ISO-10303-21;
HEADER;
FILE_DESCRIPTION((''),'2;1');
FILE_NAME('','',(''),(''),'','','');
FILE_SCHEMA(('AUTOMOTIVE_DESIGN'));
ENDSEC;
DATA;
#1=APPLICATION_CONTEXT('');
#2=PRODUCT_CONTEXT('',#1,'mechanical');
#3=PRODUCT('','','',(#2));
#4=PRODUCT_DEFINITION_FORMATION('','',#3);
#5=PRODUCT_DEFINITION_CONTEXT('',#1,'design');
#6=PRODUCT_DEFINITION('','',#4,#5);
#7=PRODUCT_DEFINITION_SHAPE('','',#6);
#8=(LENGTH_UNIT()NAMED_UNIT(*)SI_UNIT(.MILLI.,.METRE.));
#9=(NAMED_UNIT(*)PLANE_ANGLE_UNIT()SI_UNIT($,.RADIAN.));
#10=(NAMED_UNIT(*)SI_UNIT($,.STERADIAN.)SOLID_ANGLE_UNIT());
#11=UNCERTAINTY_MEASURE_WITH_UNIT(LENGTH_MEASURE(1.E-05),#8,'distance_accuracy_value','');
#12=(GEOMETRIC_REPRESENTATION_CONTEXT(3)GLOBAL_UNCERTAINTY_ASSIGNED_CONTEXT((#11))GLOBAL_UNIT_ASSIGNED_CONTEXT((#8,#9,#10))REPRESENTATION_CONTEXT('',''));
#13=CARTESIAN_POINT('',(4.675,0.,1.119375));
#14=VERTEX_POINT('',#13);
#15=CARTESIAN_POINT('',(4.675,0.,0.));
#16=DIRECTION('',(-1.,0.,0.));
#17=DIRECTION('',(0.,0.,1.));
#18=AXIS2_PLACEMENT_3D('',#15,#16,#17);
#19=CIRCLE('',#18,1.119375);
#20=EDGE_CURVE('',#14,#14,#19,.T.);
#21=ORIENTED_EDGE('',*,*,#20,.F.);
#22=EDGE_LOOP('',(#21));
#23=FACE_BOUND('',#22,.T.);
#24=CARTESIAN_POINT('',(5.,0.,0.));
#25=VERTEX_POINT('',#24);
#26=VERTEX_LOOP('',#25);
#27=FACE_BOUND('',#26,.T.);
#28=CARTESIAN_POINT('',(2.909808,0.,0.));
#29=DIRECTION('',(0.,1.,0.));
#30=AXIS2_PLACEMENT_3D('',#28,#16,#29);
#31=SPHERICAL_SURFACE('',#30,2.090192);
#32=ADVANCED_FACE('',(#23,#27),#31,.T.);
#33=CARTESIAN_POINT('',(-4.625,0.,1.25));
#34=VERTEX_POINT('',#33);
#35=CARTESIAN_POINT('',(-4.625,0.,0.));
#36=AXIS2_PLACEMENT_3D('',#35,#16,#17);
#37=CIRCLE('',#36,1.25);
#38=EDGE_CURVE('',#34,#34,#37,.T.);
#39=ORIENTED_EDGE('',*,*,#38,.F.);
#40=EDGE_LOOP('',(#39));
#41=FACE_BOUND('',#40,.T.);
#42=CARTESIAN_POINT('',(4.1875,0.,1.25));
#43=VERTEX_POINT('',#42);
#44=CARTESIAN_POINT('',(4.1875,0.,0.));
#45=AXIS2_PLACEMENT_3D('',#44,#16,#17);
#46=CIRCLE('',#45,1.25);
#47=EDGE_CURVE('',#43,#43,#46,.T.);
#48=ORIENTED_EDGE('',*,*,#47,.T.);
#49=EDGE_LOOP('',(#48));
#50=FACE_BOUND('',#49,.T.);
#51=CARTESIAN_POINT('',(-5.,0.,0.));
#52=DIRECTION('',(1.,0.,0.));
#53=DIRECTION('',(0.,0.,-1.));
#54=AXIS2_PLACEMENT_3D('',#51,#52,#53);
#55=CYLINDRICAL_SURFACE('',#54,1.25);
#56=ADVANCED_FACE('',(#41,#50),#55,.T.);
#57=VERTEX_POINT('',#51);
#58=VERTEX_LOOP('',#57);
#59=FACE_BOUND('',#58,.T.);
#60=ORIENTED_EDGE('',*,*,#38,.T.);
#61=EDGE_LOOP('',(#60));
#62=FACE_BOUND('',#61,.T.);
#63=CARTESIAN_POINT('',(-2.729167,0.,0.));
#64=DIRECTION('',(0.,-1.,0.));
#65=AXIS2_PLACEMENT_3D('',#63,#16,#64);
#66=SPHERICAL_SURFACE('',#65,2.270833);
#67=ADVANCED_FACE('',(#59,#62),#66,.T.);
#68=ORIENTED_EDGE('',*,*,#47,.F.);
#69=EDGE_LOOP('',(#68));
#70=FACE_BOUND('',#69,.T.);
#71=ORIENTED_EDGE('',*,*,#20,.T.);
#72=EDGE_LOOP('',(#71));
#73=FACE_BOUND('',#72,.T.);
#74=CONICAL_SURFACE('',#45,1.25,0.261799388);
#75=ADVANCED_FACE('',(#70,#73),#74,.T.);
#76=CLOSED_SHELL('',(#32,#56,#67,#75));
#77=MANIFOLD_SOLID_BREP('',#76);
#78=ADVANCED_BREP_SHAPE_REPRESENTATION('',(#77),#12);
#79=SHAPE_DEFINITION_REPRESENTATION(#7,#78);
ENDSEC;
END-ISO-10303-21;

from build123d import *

# Parameters (mm, degrees)
EXTRUDE1_DEPTH      = 5
EXTRUDE1_DEPTH_BACK = 5
SKETCH2_R           = 1.25


with BuildPart() as part:
    # Sketch2 → Extrude1 (new, two sides: drawn at the far end of the back side and taken through both)
    with BuildSketch(Plane(origin=(0, 0, 0), x_dir=(0, 0, -1), z_dir=(1, 0, 0)).offset(-EXTRUDE1_DEPTH_BACK)):
        Circle(SKETCH2_R)
    extrude(amount=EXTRUDE1_DEPTH + EXTRUDE1_DEPTH_BACK)

    # Sketch5 → Cut-Revolve1 (revolve, cut)
    with BuildSketch(Plane.XY, mode=Mode.PRIVATE) as cut_revolve1_sk:
        with BuildLine():
            Line((4.1875, 1.25), (4.1875, 1.75))
            Line((4.1875, 1.75), (5.5, 1.75))
            Line((5.5, 1.75), (5.5, 0))
            Line((5.5, 0), (5, 0))
            ThreePointArc((5, 0), (4.917106283, 0.582800324), (4.675, 1.119374769))
            Line((4.675, 1.119374769), (4.1875, 1.25))
        make_face()
        with BuildLine():
            Line((-4.625, 1.25), (-4.625, 1.75))
            Line((-4.625, 1.75), (-5.5, 1.75))
            Line((-5.5, 1.75), (-5.5, 0))
            Line((-5.5, 0), (-5, 0))
            ThreePointArc((-5, 0), (-4.904230523, 0.652519157), (-4.625, 1.25))
        make_face()
    revolve(cut_revolve1_sk.sketch.rotate(Axis((-5, 0, 0), (1, 0, 0)), 90), axis=Axis((-5, 0, 0), (1, 0, 0)), mode=Mode.SUBTRACT)


solid = part.part
